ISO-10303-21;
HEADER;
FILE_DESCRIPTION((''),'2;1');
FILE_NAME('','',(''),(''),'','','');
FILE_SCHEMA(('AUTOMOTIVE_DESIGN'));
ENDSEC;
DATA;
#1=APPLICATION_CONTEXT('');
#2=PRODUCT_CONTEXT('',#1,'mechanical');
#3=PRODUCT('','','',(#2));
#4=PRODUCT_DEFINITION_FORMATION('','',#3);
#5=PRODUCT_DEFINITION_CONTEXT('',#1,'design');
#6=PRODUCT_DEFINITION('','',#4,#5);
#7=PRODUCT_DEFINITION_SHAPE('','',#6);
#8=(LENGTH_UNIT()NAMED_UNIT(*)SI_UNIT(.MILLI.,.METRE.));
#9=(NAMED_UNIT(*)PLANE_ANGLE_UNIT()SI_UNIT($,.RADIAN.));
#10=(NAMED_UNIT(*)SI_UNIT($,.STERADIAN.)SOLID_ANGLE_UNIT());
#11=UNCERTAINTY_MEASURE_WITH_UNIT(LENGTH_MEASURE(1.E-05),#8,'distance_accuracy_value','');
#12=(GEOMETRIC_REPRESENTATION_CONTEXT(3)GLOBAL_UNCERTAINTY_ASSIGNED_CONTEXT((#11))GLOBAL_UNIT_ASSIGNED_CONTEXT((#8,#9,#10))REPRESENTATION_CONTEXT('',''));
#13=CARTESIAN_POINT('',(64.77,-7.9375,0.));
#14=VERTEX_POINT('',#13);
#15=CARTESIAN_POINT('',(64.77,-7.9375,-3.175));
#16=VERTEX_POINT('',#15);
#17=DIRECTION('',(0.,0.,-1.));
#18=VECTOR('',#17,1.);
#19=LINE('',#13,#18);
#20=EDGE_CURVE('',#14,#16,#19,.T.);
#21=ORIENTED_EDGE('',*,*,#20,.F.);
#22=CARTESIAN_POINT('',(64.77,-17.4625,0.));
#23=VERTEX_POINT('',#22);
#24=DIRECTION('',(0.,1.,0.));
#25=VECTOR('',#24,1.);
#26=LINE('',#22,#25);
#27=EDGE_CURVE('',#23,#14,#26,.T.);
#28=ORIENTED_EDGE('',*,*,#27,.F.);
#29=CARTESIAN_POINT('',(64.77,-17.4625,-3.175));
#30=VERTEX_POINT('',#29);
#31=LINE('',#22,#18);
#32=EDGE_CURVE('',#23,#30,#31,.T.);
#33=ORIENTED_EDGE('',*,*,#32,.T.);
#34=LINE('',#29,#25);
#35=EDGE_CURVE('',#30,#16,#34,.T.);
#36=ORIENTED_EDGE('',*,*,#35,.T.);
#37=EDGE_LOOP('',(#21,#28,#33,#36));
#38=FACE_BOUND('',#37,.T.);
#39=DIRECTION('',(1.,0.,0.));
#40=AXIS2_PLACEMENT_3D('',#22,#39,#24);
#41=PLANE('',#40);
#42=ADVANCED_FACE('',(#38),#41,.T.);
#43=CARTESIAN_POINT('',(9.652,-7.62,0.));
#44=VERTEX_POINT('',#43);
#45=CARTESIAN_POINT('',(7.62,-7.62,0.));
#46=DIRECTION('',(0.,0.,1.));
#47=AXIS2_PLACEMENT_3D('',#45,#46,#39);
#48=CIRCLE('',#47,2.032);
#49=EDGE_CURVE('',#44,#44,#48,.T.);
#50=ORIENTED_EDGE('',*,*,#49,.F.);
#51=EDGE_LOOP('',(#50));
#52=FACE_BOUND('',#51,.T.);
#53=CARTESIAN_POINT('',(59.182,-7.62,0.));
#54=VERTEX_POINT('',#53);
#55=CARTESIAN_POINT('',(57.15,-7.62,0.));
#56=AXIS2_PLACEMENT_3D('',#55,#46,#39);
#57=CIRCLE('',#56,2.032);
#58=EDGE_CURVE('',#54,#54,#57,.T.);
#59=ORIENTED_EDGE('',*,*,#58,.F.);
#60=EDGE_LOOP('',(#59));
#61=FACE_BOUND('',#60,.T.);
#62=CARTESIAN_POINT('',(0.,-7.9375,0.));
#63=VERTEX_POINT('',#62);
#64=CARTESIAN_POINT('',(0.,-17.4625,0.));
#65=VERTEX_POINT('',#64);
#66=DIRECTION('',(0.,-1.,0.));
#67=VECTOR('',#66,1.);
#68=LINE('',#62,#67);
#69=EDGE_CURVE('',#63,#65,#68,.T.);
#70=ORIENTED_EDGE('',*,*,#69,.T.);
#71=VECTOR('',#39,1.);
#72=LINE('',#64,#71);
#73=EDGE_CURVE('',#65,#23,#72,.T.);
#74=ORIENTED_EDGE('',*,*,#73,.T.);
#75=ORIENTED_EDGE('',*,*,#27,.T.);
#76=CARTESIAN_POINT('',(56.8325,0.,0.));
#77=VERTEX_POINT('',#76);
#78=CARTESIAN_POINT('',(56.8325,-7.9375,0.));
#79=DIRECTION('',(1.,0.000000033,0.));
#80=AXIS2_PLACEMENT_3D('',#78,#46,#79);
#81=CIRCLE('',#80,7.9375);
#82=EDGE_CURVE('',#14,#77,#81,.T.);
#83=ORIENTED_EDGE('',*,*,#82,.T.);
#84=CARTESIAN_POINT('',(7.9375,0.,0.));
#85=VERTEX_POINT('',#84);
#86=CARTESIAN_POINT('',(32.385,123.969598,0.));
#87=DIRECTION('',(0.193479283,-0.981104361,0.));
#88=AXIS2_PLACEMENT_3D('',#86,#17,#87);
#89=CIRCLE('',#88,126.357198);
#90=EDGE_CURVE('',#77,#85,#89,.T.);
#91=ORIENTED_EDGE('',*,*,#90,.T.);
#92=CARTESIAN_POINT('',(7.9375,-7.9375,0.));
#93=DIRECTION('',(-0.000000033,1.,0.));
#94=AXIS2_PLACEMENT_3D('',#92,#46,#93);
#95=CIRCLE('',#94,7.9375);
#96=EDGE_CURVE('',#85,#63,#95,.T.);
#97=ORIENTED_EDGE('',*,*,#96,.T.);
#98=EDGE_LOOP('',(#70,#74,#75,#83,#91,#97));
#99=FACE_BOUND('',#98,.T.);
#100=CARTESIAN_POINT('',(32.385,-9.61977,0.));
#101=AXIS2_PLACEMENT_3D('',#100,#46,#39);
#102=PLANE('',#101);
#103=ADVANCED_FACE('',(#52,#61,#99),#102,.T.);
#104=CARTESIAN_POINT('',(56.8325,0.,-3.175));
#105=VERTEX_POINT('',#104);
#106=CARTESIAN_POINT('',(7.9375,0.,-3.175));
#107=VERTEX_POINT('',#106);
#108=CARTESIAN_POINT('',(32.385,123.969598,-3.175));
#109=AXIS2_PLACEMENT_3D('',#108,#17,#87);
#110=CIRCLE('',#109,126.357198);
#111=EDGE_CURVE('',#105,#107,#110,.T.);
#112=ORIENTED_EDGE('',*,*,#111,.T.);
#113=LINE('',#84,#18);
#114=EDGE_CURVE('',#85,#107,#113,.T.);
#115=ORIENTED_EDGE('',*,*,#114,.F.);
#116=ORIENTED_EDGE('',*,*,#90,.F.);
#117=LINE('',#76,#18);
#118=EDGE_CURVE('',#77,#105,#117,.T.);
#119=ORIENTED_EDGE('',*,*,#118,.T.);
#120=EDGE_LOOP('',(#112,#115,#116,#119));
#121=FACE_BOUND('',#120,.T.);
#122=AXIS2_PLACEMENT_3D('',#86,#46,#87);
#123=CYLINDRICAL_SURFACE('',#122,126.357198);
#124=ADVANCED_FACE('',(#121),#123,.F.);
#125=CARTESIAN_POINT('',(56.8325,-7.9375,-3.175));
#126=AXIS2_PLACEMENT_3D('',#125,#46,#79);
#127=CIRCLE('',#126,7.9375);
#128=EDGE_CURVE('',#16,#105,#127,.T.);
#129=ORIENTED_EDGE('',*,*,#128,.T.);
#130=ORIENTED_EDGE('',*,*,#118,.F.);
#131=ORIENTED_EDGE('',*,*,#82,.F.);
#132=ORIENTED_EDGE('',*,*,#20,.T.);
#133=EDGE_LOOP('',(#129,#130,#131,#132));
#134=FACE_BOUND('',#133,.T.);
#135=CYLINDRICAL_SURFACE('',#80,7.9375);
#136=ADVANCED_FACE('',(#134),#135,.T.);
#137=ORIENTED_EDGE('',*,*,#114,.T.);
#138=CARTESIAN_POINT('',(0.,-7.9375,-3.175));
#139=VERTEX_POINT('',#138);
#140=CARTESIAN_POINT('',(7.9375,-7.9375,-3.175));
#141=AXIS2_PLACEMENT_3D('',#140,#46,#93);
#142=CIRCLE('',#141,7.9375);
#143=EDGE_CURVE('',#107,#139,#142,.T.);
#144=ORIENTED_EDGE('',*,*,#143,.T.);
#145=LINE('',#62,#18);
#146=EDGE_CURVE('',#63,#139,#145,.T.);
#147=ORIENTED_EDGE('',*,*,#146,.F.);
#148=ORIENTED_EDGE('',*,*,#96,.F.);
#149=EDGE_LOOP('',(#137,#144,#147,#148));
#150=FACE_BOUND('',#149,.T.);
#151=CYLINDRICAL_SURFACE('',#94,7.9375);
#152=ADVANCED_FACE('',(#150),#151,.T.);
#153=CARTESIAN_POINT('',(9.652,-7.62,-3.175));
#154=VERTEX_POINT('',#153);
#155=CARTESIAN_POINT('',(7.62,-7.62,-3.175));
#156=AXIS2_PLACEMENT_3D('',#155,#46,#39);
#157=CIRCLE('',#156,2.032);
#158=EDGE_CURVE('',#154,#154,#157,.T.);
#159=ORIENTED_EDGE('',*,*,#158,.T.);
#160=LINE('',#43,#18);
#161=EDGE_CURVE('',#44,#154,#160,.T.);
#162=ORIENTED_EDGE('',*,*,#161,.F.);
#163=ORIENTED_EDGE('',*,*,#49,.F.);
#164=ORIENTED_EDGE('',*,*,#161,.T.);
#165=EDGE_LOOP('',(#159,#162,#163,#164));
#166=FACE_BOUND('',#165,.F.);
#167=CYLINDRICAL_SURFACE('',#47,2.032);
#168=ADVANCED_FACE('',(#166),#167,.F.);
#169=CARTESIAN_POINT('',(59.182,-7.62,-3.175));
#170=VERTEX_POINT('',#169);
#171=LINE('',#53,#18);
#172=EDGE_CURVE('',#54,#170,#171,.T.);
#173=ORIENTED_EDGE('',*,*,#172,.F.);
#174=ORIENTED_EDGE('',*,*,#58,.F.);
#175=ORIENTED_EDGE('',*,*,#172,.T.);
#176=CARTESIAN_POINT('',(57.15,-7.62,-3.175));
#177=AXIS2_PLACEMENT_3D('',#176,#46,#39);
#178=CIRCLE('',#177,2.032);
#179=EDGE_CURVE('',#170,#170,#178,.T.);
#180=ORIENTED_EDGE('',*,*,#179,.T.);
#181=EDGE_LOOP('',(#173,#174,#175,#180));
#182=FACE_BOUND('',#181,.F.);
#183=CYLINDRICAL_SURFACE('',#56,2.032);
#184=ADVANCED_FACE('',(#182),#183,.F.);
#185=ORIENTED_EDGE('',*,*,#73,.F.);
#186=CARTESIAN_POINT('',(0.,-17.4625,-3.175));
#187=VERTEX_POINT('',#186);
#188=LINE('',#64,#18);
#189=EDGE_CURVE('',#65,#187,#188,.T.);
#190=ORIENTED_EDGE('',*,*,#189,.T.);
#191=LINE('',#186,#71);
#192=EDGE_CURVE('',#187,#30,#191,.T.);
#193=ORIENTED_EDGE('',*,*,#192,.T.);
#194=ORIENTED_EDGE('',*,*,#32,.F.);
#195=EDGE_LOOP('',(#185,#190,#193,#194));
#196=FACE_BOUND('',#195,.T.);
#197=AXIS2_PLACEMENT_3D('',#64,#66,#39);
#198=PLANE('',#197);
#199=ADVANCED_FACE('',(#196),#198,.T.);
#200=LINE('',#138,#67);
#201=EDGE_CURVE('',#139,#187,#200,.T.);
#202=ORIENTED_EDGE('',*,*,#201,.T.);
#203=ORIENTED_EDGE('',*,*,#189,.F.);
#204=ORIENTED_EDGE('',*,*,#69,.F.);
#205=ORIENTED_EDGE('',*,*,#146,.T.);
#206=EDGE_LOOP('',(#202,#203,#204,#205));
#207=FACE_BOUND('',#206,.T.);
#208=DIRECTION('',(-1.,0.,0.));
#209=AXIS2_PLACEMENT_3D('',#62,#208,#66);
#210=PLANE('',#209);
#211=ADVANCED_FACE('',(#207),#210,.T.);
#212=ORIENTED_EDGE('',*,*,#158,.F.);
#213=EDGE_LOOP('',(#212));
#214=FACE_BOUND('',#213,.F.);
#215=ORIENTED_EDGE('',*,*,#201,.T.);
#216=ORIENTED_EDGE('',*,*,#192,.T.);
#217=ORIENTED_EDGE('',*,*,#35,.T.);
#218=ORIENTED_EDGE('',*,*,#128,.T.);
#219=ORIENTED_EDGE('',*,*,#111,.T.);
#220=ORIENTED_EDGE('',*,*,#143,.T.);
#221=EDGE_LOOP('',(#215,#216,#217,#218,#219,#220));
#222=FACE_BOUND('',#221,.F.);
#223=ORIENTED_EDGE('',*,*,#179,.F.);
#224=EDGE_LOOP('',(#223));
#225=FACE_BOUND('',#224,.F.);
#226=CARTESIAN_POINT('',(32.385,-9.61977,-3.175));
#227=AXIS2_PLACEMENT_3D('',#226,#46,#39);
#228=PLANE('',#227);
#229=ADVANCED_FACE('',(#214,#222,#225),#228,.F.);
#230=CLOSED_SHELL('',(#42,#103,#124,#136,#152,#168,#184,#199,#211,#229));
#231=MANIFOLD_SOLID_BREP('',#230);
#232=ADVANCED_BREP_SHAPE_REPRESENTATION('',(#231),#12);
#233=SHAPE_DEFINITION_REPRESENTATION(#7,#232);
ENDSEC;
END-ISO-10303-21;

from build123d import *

# Parameters (mm, degrees)
F0_R     = 2.032
F1_DEPTH = 3.175


with BuildPart() as f1:
    # F0 (on Top) → F1 (new body)
    with BuildSketch(Plane.XY):
        with BuildLine():
            ThreePointArc((56.8325, 0), (32.385, -2.3876), (7.9375, 0))
            ThreePointArc((7.9375, 0), (2.32484, -2.32484), (0, -7.9375))
            Line((0, -7.9375), (0, -17.4625))
            Line((0, -17.4625), (64.77, -17.4625))
            Line((64.77, -17.4625), (64.77, -7.9375))
            ThreePointArc((64.77, -7.9375), (62.44516, -2.32484), (56.8325, 0))
        make_face()
        with Locations((7.62, -7.62)):
            Circle(F0_R, mode=Mode.SUBTRACT)
        with Locations((57.15, -7.62)):
            Circle(F0_R, mode=Mode.SUBTRACT)
    extrude(amount=-F1_DEPTH)


solid = f1.part
